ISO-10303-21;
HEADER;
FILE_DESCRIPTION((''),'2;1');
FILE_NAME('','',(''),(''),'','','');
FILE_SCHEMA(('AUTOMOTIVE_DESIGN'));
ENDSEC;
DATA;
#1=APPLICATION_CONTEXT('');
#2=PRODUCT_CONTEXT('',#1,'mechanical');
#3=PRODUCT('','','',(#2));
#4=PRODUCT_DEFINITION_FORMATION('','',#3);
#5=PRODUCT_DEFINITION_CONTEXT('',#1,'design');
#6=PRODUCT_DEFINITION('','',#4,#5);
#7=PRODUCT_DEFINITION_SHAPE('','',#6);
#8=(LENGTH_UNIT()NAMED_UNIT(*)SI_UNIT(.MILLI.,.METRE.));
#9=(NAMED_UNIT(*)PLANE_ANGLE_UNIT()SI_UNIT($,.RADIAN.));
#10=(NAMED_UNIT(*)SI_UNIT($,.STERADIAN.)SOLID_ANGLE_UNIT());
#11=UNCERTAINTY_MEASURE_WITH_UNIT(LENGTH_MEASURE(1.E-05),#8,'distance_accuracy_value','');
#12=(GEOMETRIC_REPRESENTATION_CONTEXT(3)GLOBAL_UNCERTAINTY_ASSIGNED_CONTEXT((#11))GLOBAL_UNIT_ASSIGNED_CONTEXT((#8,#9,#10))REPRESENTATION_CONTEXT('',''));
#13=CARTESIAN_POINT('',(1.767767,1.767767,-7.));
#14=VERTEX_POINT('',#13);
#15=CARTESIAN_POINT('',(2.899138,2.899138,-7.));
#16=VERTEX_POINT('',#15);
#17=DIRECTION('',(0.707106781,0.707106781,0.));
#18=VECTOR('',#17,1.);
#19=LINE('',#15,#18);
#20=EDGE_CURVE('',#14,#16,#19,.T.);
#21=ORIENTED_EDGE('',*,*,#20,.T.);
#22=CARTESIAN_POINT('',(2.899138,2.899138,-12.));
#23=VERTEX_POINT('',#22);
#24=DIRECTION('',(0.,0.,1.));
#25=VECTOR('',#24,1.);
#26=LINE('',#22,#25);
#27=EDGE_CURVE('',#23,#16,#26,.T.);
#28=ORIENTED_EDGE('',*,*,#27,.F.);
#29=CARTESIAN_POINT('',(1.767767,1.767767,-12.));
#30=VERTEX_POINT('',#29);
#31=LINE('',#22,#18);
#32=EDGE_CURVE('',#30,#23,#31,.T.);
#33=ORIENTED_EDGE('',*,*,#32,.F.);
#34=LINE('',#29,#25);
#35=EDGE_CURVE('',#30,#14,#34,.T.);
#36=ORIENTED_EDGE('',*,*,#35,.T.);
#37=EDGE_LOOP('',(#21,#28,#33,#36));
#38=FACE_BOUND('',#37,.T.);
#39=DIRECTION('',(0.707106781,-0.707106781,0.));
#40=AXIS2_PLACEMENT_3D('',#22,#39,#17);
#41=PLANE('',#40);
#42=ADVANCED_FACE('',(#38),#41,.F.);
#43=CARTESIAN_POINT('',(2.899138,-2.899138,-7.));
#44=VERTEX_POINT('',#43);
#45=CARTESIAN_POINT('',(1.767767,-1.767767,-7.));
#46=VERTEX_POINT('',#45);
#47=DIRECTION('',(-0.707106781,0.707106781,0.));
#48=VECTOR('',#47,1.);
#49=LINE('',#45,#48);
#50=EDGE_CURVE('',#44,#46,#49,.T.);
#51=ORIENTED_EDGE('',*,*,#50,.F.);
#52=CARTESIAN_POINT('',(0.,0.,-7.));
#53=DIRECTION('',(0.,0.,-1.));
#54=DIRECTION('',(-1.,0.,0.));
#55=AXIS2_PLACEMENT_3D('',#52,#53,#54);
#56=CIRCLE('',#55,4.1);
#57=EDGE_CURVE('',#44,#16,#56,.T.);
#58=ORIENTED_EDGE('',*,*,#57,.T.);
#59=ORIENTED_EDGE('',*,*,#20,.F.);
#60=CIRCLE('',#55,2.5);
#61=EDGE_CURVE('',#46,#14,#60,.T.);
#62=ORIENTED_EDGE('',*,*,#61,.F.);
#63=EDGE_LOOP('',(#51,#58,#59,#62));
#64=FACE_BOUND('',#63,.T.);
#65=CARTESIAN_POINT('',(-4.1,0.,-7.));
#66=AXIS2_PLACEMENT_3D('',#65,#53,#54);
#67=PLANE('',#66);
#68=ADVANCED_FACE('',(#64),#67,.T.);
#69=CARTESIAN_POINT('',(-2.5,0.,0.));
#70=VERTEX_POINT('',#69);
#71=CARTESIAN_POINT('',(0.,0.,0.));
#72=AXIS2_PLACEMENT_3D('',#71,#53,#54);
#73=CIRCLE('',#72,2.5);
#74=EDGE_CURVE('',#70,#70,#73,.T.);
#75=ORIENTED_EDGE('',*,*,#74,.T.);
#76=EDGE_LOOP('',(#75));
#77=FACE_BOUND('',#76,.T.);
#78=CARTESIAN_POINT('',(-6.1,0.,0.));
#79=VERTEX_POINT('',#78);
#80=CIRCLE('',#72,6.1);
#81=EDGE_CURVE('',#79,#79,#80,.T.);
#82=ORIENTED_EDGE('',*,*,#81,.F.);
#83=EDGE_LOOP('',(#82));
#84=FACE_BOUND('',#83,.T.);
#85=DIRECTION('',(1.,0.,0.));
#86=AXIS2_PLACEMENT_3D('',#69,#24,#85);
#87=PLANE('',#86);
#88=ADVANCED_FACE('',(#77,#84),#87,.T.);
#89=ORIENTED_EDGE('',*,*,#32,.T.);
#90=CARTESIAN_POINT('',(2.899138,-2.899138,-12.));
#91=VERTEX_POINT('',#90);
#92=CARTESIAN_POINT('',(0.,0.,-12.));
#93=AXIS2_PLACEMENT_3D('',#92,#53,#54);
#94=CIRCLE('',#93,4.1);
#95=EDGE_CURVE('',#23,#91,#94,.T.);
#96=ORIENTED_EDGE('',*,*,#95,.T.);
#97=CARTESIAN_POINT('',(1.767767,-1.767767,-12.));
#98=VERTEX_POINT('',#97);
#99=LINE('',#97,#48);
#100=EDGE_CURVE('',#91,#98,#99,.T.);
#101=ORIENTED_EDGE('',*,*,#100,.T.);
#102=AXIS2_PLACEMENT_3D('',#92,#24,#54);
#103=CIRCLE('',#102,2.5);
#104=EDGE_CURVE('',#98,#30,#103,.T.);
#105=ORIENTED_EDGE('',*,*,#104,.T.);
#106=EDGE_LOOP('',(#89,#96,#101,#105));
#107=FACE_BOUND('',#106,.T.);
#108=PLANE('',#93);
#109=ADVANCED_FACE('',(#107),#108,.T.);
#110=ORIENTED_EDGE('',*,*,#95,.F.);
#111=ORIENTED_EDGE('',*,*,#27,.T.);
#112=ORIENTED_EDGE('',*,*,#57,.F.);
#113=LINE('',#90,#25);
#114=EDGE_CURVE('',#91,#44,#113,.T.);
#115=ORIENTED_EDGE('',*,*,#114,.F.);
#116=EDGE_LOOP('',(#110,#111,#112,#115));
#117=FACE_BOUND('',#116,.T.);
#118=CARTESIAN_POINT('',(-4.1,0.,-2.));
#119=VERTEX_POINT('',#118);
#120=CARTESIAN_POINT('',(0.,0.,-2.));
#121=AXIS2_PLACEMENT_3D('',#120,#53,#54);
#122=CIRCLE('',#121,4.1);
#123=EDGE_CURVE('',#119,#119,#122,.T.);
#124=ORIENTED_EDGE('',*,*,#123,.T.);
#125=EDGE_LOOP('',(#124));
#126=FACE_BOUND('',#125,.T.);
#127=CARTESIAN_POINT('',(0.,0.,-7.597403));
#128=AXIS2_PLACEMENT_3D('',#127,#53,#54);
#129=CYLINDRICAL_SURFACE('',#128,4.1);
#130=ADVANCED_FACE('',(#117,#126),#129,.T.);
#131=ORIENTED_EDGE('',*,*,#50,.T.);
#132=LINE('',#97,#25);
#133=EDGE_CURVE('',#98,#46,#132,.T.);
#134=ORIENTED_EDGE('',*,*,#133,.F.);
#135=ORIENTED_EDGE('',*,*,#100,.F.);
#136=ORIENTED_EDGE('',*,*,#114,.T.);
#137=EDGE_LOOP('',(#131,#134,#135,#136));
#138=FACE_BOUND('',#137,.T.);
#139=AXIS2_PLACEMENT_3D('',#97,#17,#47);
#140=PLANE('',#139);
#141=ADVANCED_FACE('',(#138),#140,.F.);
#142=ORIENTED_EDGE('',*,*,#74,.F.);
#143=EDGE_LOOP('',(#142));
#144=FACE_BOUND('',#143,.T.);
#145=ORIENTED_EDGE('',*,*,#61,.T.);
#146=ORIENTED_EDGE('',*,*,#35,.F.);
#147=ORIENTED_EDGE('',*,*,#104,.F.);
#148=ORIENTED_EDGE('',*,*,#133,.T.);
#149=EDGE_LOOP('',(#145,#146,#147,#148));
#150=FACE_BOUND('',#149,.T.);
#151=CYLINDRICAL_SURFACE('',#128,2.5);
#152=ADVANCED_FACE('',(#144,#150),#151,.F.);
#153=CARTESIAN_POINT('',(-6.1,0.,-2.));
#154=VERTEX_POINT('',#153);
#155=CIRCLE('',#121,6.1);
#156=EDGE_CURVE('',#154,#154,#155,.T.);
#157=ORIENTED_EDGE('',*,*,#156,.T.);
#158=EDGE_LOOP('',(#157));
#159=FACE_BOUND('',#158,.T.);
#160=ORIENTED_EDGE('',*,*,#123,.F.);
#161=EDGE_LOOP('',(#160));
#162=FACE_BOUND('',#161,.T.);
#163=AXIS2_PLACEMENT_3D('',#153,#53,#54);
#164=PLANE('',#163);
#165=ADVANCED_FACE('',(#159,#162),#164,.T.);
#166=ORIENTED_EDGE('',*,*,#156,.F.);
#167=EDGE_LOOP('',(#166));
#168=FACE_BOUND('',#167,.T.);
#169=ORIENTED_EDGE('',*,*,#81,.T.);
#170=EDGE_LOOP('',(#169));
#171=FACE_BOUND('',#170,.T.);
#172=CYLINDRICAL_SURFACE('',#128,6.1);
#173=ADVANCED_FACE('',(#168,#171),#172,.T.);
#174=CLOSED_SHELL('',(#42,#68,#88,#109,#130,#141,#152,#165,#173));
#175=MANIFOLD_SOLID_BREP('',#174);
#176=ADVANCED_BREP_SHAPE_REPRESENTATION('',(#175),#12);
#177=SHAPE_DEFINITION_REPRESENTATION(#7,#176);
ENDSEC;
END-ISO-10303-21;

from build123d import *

# Parameters (mm, degrees)
BOSS_EXTRU_1_DEPTH = 5


with BuildPart() as part:
    # Esquisse1 → Révolution1 (revolve)
    with BuildSketch(Plane(origin=(0, 0, 0), x_dir=(1, 0, 0), z_dir=(0, 1, 0))):
        Polygon((-2.5, 0), (-6.1, 0), (-6.1, 2), (-4.1, 2), (-4.1, 7), (-2.5, 7), align=None)
    revolve(axis=Axis((0, 0, -7.597402597), (0, 0, 1)))

    # Esquisse2 → Boss.-Extru.1 (add)
    with BuildSketch(Plane(origin=(0, 0, -7), x_dir=(-1, 0, 0), z_dir=(0, 0, -1))):
        with BuildLine():
            Line((-2.899137803, 2.899137803), (-1.767766953, 1.767766953))
            ThreePointArc((-1.767766953, 1.767766953), (-2.5, 0), (-1.767766953, -1.767766953))
            Line((-1.767766953, -1.767766953), (-2.899137803, -2.899137803))
            ThreePointArc((-2.899137803, -2.899137803), (-4.1, 0), (-2.899137803, 2.899137803))
        make_face()
    extrude(amount=BOSS_EXTRU_1_DEPTH)


solid = part.part
